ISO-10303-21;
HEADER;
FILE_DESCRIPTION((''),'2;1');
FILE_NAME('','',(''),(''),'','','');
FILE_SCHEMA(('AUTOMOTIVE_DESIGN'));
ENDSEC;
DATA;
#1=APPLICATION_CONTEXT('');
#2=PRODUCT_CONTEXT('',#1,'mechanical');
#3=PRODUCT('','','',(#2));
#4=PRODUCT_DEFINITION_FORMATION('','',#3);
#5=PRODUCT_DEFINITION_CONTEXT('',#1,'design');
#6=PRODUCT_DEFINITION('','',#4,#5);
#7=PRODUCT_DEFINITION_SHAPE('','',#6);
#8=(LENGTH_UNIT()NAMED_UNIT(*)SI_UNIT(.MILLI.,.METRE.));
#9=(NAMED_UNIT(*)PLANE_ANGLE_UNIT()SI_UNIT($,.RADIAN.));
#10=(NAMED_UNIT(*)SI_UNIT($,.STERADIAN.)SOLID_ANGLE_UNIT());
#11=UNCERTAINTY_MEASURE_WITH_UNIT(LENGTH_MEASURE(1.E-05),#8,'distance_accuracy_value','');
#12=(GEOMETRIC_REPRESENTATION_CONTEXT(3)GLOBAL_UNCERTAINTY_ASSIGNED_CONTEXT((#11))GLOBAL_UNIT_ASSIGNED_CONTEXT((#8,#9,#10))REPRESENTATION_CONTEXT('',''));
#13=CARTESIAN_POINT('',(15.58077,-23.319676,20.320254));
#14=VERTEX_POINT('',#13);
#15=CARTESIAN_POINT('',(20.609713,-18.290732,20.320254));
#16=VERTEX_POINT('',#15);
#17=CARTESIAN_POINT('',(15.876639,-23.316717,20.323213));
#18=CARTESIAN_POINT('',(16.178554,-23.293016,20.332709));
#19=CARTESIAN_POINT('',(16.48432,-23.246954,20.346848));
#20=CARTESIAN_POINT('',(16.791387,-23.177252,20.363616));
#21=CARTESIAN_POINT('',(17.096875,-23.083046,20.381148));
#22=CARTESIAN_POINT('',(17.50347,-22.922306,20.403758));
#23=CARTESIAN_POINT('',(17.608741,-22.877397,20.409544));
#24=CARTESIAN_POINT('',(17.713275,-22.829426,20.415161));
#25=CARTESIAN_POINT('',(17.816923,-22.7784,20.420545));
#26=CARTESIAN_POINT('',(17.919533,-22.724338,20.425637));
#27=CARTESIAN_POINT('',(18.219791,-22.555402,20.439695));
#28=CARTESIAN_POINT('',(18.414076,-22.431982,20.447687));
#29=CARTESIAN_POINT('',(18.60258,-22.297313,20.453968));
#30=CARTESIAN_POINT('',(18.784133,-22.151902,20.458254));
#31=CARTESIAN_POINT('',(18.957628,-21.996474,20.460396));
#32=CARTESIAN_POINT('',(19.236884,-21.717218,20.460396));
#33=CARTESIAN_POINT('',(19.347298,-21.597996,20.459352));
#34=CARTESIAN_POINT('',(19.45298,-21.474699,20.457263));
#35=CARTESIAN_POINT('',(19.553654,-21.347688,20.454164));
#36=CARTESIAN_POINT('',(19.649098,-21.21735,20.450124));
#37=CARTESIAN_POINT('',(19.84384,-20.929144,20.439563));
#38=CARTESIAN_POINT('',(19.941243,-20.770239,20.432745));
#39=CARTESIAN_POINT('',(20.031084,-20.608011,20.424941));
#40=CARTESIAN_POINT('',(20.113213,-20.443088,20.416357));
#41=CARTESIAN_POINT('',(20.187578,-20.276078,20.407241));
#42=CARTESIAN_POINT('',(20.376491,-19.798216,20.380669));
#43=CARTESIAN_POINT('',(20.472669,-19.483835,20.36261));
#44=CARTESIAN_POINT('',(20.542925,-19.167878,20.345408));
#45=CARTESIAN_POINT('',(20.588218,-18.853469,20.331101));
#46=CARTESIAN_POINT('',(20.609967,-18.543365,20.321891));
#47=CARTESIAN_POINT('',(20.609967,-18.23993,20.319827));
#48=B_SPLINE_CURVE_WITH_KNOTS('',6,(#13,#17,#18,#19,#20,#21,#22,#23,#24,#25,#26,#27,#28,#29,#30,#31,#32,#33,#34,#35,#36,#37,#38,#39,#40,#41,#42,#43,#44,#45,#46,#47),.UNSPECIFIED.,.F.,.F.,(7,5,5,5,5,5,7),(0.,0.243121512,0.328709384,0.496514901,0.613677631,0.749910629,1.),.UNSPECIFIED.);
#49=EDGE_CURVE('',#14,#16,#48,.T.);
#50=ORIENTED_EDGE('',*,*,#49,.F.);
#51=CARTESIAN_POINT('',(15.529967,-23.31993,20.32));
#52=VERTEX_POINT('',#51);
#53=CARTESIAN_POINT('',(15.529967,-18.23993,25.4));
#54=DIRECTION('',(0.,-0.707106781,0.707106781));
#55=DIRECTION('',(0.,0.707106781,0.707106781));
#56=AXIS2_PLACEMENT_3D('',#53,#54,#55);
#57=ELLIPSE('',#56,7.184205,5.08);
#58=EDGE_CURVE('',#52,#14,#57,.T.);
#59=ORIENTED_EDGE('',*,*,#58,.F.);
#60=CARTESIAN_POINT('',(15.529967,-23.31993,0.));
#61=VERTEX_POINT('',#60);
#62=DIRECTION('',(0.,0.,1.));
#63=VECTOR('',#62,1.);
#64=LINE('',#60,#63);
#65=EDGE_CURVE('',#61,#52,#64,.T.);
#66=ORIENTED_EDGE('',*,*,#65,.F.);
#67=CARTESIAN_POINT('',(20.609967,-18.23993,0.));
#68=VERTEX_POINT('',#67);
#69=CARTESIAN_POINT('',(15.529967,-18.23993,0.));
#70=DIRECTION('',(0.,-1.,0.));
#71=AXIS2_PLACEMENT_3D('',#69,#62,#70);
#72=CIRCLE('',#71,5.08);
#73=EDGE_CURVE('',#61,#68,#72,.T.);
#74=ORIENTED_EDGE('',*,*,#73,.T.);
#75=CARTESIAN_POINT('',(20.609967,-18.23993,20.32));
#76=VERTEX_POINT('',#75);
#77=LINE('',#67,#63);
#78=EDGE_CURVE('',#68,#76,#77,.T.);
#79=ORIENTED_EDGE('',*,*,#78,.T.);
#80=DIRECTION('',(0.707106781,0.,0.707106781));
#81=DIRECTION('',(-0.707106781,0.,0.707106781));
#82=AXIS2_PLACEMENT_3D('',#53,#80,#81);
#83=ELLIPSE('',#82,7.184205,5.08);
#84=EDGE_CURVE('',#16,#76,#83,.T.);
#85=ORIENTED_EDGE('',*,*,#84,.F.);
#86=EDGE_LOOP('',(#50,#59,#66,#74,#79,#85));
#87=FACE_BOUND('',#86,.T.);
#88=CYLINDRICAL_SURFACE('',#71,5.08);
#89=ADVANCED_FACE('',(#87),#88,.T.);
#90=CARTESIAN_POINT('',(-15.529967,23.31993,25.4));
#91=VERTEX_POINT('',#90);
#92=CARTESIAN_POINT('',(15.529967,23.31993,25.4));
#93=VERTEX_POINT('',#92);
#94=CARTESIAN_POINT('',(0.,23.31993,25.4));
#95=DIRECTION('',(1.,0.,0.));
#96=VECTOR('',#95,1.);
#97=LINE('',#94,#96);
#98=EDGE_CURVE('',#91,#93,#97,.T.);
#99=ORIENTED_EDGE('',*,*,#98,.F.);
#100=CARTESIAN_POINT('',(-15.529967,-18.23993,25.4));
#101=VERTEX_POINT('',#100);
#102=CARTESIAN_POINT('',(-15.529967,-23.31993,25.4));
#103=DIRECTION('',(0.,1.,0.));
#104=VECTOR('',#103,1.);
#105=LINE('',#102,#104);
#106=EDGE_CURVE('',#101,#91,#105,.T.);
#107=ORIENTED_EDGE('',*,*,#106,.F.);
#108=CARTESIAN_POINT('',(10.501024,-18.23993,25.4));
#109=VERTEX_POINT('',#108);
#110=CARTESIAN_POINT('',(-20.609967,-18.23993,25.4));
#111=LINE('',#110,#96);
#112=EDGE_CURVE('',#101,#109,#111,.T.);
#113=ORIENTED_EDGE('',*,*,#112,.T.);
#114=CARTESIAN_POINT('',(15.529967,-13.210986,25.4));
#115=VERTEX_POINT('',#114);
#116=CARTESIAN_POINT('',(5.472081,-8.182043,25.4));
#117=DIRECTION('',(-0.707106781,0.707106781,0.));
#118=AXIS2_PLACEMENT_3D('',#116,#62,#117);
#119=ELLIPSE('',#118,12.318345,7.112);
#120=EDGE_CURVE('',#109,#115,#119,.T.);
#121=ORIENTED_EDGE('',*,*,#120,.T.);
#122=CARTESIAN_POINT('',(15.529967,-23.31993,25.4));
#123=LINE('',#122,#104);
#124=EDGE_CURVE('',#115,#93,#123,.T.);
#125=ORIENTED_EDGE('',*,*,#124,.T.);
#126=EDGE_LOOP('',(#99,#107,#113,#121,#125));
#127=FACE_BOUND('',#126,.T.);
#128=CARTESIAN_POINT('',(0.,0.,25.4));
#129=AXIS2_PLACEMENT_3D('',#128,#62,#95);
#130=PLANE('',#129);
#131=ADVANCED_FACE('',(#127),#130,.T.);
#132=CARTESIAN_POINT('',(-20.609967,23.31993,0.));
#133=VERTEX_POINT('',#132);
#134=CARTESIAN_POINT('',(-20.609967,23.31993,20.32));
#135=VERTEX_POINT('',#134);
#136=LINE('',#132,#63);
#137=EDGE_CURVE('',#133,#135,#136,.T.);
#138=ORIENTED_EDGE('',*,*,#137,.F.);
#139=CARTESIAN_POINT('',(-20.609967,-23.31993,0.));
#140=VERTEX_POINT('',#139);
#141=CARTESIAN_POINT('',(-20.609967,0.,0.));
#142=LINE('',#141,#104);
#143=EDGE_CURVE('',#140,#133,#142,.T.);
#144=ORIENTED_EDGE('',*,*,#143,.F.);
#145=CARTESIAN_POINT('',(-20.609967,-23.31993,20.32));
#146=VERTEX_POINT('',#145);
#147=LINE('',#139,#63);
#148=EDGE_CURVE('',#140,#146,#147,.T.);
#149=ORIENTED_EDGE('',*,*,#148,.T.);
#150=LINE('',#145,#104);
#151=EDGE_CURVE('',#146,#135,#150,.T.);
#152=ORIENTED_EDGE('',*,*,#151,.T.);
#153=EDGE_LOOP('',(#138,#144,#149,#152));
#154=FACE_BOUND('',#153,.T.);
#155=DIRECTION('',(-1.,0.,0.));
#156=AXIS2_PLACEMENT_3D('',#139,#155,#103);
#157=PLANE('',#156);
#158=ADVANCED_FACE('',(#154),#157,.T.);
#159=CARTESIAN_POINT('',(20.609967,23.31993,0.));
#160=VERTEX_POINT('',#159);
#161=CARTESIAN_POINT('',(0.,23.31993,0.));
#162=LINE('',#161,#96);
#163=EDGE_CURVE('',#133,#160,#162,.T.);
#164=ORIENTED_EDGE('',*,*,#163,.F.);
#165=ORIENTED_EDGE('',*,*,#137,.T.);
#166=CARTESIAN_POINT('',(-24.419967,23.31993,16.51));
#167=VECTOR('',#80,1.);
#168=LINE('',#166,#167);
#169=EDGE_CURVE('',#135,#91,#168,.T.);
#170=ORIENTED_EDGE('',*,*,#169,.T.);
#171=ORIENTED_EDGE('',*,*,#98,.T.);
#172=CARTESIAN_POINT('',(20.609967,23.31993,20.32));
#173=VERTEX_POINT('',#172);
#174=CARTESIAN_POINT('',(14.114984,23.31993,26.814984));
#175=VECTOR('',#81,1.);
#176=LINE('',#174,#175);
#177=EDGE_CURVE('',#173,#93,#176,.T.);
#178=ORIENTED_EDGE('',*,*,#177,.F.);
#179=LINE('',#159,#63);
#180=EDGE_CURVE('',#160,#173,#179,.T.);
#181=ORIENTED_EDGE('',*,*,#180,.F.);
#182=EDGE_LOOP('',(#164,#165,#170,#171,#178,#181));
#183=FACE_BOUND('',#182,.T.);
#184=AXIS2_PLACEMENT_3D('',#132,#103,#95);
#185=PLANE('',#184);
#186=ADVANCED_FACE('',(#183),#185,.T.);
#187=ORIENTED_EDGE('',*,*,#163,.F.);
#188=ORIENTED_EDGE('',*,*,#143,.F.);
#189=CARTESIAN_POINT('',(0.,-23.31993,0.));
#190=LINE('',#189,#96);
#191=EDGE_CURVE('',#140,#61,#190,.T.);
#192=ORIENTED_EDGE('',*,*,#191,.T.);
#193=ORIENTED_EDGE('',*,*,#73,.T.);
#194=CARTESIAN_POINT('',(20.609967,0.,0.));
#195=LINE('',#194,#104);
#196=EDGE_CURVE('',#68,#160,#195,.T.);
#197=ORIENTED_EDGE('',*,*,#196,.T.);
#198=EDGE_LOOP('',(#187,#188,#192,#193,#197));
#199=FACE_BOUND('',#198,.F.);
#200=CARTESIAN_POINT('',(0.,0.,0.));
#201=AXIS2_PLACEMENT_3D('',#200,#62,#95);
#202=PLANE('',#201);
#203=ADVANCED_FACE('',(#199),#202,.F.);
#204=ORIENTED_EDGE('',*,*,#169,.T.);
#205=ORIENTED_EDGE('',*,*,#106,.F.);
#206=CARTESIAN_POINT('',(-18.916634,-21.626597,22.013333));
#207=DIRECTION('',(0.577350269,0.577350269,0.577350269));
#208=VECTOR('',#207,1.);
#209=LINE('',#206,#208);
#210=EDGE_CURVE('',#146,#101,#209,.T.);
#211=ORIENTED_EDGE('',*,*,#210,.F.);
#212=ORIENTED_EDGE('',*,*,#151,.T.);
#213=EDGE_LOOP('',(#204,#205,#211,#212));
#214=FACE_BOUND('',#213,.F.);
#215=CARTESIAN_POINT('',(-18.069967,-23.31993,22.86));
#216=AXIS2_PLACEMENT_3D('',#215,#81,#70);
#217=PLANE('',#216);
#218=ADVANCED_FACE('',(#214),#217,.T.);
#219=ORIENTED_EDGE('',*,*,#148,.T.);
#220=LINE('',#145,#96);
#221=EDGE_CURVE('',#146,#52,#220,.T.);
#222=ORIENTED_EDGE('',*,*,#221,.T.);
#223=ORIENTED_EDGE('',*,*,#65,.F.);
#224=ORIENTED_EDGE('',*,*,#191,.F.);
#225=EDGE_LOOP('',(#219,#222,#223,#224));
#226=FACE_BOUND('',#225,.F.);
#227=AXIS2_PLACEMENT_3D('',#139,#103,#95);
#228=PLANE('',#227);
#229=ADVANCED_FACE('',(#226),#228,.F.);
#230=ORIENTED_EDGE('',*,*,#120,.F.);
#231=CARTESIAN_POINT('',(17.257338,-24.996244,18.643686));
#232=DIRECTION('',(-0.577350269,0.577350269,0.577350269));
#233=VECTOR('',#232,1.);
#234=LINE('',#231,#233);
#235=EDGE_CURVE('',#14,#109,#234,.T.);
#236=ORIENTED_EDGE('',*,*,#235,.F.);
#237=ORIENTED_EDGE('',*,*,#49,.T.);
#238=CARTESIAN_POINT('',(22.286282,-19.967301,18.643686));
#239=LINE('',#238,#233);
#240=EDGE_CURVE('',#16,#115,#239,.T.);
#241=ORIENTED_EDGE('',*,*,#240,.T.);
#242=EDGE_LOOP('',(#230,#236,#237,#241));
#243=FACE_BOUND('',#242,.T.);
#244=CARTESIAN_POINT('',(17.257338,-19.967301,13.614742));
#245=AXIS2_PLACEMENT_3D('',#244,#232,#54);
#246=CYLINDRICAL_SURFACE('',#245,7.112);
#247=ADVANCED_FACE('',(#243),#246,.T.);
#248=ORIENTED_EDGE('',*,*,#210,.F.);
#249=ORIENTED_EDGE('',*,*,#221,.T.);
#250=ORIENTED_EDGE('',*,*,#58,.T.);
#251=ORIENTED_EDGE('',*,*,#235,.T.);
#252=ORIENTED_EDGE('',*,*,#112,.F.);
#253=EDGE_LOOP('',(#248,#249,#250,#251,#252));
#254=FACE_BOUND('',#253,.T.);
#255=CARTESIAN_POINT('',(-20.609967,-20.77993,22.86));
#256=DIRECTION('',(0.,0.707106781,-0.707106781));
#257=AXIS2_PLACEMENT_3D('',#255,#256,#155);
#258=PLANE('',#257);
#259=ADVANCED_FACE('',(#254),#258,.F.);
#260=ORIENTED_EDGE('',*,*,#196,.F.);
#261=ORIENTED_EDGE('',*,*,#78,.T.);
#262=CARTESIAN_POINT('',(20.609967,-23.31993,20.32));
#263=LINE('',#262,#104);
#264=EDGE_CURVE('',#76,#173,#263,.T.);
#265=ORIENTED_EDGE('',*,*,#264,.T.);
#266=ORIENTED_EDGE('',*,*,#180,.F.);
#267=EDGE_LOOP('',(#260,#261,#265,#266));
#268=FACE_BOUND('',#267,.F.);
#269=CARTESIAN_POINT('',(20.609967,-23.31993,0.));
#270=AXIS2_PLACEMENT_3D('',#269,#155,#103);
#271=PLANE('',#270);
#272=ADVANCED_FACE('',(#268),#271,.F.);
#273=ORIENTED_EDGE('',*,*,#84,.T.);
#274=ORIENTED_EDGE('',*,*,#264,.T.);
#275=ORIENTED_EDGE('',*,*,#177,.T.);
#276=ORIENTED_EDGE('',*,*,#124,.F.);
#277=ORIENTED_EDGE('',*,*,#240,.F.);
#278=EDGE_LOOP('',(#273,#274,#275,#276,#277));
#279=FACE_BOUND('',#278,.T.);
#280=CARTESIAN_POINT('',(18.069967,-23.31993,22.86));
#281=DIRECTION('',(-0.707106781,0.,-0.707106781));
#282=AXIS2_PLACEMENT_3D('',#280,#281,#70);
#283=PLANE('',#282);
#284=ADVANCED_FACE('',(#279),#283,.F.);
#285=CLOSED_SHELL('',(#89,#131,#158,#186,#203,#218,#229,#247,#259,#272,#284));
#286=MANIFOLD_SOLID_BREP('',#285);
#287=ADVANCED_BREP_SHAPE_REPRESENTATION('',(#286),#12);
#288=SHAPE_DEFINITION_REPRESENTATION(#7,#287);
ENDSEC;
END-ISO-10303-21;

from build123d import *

# Parameters (mm, degrees)
F0_W     = 41.2199348211
F0_H     = 46.6398596764
F1_DEPTH = 25.4
F2_SIZE  = 5.08
F3_R     = 7.112
F4_R     = 5.08


with BuildPart() as f1:
    # F0 (on Top) → F1 (new body)
    with BuildSketch(Plane.XY):
        Rectangle(F0_W, F0_H)
    extrude(amount=F1_DEPTH)

    # F2
    f2_edges = [f1.edges().sort_by_distance(p)[0] for p in [
        (20.609967, 0, 25.4),
        (-20.609967, 0, 25.4),
        (0, -23.31993, 25.4),
    ]]
    chamfer(f2_edges, length=F2_SIZE)

    # F3
    f3_edges = [f1.edges().sort_by_distance(p)[0] for p in [
        (18.069967, -20.77993, 22.86),
    ]]
    fillet(f3_edges, radius=F3_R)

    # F4
    f4_edges = [f1.edges().sort_by_distance(p)[0] for p in [
        (20.609967, -23.31993, 9.486249),
    ]]
    fillet(f4_edges, radius=F4_R)


solid = f1.part
